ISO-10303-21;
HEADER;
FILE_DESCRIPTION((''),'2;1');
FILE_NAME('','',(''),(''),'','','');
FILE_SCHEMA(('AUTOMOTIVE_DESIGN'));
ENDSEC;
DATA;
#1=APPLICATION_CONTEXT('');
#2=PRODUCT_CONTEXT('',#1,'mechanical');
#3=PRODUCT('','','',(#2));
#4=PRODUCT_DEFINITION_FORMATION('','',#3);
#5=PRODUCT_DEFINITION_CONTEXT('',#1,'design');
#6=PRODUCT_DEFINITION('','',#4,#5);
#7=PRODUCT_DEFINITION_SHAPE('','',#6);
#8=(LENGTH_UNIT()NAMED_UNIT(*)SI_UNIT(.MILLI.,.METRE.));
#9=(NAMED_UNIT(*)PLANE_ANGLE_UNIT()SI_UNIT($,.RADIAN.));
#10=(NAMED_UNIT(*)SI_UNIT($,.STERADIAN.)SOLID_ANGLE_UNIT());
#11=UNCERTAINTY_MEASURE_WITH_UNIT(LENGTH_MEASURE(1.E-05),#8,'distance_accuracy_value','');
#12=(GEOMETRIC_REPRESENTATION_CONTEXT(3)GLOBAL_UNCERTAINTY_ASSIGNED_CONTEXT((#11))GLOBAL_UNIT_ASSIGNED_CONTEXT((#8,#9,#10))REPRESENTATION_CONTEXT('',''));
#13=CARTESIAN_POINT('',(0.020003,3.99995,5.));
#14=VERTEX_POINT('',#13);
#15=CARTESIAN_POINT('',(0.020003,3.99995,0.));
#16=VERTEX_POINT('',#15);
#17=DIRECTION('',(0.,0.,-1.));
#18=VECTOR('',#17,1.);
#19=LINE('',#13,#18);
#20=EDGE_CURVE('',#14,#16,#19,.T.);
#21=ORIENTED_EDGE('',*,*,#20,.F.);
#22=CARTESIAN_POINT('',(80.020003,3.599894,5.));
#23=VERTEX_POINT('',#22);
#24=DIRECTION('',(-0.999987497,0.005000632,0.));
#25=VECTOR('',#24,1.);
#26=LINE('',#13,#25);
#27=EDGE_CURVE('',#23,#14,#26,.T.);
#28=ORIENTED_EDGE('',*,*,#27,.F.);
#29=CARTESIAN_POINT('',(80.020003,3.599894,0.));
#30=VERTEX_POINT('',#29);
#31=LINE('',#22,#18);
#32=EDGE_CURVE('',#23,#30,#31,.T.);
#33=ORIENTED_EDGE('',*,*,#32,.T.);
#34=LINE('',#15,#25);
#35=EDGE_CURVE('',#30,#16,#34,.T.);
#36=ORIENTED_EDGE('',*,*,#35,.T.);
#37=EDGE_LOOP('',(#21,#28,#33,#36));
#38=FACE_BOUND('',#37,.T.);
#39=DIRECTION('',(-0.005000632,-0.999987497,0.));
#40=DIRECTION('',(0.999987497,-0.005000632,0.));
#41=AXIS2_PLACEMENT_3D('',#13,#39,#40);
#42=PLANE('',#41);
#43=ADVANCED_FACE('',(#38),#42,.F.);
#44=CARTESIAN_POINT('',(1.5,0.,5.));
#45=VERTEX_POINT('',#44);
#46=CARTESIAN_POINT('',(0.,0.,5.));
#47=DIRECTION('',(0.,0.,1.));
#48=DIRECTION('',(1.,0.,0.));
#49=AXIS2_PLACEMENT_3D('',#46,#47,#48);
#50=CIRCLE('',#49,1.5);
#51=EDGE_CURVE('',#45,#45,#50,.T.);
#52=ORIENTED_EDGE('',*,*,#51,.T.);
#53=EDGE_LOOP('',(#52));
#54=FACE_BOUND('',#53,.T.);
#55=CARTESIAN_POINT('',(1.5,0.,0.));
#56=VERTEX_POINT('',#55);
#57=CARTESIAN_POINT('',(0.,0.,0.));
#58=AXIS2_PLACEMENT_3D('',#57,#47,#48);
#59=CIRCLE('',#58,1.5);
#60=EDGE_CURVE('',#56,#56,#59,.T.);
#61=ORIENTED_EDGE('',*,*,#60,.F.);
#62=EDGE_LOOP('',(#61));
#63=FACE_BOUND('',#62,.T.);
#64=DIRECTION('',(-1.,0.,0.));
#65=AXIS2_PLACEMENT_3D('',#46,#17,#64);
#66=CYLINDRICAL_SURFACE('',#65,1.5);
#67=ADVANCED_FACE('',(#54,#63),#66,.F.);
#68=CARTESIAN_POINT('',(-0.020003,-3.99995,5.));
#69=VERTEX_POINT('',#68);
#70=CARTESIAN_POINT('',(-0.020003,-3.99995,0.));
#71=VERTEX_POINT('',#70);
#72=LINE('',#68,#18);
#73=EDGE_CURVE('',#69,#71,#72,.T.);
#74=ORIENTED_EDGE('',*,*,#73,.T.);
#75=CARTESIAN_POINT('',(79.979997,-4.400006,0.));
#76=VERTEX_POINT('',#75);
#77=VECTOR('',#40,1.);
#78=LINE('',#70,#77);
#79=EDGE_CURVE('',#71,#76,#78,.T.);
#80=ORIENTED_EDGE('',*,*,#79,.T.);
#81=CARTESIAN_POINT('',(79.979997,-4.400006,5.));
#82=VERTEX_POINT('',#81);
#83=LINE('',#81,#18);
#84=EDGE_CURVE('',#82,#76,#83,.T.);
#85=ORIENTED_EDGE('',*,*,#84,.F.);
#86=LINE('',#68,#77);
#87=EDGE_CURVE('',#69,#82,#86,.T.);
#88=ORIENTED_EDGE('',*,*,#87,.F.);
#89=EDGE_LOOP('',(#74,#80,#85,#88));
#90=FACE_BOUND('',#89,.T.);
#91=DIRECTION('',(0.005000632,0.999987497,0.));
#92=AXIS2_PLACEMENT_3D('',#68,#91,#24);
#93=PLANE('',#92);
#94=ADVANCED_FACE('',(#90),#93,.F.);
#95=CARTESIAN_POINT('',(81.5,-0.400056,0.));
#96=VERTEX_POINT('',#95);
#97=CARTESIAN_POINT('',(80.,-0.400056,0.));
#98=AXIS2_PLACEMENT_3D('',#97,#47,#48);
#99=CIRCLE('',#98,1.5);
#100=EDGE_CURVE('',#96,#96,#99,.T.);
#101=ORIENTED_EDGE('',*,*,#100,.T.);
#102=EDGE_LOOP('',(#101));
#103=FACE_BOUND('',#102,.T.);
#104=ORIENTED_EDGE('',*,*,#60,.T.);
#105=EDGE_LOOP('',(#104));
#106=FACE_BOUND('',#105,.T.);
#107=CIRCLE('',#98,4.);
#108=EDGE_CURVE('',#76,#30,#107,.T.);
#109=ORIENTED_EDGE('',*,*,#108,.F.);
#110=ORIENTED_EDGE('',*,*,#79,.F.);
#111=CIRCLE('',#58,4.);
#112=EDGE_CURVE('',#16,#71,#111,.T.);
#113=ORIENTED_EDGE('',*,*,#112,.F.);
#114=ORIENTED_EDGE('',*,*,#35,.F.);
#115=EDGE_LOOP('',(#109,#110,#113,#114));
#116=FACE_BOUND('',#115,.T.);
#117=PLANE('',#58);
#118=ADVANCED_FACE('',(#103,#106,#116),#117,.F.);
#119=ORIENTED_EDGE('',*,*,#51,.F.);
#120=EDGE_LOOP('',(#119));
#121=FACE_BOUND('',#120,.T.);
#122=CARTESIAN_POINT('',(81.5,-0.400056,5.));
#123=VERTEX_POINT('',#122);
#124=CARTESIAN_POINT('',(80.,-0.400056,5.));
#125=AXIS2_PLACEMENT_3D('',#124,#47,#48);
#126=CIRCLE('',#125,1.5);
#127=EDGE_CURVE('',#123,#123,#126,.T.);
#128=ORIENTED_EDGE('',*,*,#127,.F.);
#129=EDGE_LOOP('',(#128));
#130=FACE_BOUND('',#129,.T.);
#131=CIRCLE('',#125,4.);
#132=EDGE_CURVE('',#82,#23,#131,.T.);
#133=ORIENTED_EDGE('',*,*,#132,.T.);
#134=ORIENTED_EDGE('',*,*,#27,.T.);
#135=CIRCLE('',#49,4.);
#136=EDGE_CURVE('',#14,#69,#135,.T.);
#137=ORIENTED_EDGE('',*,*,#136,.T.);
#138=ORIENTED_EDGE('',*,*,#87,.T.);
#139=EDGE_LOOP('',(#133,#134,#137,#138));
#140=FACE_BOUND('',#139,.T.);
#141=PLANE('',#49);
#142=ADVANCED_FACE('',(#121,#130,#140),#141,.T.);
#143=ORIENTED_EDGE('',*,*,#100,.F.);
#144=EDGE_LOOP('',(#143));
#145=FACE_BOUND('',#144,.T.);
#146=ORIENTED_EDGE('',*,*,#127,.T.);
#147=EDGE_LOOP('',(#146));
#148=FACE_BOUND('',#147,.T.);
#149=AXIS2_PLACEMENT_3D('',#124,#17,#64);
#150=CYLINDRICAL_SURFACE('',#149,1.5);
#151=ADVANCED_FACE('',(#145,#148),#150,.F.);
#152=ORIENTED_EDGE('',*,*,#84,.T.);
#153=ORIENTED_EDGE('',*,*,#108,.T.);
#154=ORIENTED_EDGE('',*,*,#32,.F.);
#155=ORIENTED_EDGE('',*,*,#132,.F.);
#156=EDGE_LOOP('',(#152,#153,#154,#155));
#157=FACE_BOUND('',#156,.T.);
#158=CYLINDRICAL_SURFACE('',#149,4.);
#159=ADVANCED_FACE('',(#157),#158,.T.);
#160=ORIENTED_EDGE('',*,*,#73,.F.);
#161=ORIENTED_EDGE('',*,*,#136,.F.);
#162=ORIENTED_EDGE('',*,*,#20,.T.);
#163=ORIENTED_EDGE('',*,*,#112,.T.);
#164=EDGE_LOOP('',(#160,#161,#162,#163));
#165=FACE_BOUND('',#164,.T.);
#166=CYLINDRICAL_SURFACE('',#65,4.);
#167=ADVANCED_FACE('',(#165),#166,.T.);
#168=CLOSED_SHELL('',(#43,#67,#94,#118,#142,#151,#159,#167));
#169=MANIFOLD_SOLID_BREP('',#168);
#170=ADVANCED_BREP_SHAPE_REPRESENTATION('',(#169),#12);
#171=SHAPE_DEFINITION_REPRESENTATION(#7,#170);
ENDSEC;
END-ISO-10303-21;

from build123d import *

# Parameters (mm, degrees)
SKETCH1_R           = 1.5
BOSS_EXTRUDE1_DEPTH = 5


with BuildPart() as part:
    # Sketch1 → Boss-Extrude1 (new body)
    with BuildSketch(Plane.XY):
        with BuildLine():
            Line((0.02000253, 3.999949987), (80.02000253, 3.599894394))
            ThreePointArc((80.02000253, 3.599894394), (83.999949987, -0.420058122), (79.97999747, -4.40000558))
            Line((79.97999747, -4.40000558), (-0.02000253, -3.999949987))
            ThreePointArc((-0.02000253, -3.999949987), (-3.999949987, 0.02000253), (0.02000253, 3.999949987))
        make_face()
        Circle(SKETCH1_R, mode=Mode.SUBTRACT)
        with Locations((80, -0.400055593)):
            Circle(SKETCH1_R, mode=Mode.SUBTRACT)
    extrude(amount=BOSS_EXTRUDE1_DEPTH)


solid = part.part
